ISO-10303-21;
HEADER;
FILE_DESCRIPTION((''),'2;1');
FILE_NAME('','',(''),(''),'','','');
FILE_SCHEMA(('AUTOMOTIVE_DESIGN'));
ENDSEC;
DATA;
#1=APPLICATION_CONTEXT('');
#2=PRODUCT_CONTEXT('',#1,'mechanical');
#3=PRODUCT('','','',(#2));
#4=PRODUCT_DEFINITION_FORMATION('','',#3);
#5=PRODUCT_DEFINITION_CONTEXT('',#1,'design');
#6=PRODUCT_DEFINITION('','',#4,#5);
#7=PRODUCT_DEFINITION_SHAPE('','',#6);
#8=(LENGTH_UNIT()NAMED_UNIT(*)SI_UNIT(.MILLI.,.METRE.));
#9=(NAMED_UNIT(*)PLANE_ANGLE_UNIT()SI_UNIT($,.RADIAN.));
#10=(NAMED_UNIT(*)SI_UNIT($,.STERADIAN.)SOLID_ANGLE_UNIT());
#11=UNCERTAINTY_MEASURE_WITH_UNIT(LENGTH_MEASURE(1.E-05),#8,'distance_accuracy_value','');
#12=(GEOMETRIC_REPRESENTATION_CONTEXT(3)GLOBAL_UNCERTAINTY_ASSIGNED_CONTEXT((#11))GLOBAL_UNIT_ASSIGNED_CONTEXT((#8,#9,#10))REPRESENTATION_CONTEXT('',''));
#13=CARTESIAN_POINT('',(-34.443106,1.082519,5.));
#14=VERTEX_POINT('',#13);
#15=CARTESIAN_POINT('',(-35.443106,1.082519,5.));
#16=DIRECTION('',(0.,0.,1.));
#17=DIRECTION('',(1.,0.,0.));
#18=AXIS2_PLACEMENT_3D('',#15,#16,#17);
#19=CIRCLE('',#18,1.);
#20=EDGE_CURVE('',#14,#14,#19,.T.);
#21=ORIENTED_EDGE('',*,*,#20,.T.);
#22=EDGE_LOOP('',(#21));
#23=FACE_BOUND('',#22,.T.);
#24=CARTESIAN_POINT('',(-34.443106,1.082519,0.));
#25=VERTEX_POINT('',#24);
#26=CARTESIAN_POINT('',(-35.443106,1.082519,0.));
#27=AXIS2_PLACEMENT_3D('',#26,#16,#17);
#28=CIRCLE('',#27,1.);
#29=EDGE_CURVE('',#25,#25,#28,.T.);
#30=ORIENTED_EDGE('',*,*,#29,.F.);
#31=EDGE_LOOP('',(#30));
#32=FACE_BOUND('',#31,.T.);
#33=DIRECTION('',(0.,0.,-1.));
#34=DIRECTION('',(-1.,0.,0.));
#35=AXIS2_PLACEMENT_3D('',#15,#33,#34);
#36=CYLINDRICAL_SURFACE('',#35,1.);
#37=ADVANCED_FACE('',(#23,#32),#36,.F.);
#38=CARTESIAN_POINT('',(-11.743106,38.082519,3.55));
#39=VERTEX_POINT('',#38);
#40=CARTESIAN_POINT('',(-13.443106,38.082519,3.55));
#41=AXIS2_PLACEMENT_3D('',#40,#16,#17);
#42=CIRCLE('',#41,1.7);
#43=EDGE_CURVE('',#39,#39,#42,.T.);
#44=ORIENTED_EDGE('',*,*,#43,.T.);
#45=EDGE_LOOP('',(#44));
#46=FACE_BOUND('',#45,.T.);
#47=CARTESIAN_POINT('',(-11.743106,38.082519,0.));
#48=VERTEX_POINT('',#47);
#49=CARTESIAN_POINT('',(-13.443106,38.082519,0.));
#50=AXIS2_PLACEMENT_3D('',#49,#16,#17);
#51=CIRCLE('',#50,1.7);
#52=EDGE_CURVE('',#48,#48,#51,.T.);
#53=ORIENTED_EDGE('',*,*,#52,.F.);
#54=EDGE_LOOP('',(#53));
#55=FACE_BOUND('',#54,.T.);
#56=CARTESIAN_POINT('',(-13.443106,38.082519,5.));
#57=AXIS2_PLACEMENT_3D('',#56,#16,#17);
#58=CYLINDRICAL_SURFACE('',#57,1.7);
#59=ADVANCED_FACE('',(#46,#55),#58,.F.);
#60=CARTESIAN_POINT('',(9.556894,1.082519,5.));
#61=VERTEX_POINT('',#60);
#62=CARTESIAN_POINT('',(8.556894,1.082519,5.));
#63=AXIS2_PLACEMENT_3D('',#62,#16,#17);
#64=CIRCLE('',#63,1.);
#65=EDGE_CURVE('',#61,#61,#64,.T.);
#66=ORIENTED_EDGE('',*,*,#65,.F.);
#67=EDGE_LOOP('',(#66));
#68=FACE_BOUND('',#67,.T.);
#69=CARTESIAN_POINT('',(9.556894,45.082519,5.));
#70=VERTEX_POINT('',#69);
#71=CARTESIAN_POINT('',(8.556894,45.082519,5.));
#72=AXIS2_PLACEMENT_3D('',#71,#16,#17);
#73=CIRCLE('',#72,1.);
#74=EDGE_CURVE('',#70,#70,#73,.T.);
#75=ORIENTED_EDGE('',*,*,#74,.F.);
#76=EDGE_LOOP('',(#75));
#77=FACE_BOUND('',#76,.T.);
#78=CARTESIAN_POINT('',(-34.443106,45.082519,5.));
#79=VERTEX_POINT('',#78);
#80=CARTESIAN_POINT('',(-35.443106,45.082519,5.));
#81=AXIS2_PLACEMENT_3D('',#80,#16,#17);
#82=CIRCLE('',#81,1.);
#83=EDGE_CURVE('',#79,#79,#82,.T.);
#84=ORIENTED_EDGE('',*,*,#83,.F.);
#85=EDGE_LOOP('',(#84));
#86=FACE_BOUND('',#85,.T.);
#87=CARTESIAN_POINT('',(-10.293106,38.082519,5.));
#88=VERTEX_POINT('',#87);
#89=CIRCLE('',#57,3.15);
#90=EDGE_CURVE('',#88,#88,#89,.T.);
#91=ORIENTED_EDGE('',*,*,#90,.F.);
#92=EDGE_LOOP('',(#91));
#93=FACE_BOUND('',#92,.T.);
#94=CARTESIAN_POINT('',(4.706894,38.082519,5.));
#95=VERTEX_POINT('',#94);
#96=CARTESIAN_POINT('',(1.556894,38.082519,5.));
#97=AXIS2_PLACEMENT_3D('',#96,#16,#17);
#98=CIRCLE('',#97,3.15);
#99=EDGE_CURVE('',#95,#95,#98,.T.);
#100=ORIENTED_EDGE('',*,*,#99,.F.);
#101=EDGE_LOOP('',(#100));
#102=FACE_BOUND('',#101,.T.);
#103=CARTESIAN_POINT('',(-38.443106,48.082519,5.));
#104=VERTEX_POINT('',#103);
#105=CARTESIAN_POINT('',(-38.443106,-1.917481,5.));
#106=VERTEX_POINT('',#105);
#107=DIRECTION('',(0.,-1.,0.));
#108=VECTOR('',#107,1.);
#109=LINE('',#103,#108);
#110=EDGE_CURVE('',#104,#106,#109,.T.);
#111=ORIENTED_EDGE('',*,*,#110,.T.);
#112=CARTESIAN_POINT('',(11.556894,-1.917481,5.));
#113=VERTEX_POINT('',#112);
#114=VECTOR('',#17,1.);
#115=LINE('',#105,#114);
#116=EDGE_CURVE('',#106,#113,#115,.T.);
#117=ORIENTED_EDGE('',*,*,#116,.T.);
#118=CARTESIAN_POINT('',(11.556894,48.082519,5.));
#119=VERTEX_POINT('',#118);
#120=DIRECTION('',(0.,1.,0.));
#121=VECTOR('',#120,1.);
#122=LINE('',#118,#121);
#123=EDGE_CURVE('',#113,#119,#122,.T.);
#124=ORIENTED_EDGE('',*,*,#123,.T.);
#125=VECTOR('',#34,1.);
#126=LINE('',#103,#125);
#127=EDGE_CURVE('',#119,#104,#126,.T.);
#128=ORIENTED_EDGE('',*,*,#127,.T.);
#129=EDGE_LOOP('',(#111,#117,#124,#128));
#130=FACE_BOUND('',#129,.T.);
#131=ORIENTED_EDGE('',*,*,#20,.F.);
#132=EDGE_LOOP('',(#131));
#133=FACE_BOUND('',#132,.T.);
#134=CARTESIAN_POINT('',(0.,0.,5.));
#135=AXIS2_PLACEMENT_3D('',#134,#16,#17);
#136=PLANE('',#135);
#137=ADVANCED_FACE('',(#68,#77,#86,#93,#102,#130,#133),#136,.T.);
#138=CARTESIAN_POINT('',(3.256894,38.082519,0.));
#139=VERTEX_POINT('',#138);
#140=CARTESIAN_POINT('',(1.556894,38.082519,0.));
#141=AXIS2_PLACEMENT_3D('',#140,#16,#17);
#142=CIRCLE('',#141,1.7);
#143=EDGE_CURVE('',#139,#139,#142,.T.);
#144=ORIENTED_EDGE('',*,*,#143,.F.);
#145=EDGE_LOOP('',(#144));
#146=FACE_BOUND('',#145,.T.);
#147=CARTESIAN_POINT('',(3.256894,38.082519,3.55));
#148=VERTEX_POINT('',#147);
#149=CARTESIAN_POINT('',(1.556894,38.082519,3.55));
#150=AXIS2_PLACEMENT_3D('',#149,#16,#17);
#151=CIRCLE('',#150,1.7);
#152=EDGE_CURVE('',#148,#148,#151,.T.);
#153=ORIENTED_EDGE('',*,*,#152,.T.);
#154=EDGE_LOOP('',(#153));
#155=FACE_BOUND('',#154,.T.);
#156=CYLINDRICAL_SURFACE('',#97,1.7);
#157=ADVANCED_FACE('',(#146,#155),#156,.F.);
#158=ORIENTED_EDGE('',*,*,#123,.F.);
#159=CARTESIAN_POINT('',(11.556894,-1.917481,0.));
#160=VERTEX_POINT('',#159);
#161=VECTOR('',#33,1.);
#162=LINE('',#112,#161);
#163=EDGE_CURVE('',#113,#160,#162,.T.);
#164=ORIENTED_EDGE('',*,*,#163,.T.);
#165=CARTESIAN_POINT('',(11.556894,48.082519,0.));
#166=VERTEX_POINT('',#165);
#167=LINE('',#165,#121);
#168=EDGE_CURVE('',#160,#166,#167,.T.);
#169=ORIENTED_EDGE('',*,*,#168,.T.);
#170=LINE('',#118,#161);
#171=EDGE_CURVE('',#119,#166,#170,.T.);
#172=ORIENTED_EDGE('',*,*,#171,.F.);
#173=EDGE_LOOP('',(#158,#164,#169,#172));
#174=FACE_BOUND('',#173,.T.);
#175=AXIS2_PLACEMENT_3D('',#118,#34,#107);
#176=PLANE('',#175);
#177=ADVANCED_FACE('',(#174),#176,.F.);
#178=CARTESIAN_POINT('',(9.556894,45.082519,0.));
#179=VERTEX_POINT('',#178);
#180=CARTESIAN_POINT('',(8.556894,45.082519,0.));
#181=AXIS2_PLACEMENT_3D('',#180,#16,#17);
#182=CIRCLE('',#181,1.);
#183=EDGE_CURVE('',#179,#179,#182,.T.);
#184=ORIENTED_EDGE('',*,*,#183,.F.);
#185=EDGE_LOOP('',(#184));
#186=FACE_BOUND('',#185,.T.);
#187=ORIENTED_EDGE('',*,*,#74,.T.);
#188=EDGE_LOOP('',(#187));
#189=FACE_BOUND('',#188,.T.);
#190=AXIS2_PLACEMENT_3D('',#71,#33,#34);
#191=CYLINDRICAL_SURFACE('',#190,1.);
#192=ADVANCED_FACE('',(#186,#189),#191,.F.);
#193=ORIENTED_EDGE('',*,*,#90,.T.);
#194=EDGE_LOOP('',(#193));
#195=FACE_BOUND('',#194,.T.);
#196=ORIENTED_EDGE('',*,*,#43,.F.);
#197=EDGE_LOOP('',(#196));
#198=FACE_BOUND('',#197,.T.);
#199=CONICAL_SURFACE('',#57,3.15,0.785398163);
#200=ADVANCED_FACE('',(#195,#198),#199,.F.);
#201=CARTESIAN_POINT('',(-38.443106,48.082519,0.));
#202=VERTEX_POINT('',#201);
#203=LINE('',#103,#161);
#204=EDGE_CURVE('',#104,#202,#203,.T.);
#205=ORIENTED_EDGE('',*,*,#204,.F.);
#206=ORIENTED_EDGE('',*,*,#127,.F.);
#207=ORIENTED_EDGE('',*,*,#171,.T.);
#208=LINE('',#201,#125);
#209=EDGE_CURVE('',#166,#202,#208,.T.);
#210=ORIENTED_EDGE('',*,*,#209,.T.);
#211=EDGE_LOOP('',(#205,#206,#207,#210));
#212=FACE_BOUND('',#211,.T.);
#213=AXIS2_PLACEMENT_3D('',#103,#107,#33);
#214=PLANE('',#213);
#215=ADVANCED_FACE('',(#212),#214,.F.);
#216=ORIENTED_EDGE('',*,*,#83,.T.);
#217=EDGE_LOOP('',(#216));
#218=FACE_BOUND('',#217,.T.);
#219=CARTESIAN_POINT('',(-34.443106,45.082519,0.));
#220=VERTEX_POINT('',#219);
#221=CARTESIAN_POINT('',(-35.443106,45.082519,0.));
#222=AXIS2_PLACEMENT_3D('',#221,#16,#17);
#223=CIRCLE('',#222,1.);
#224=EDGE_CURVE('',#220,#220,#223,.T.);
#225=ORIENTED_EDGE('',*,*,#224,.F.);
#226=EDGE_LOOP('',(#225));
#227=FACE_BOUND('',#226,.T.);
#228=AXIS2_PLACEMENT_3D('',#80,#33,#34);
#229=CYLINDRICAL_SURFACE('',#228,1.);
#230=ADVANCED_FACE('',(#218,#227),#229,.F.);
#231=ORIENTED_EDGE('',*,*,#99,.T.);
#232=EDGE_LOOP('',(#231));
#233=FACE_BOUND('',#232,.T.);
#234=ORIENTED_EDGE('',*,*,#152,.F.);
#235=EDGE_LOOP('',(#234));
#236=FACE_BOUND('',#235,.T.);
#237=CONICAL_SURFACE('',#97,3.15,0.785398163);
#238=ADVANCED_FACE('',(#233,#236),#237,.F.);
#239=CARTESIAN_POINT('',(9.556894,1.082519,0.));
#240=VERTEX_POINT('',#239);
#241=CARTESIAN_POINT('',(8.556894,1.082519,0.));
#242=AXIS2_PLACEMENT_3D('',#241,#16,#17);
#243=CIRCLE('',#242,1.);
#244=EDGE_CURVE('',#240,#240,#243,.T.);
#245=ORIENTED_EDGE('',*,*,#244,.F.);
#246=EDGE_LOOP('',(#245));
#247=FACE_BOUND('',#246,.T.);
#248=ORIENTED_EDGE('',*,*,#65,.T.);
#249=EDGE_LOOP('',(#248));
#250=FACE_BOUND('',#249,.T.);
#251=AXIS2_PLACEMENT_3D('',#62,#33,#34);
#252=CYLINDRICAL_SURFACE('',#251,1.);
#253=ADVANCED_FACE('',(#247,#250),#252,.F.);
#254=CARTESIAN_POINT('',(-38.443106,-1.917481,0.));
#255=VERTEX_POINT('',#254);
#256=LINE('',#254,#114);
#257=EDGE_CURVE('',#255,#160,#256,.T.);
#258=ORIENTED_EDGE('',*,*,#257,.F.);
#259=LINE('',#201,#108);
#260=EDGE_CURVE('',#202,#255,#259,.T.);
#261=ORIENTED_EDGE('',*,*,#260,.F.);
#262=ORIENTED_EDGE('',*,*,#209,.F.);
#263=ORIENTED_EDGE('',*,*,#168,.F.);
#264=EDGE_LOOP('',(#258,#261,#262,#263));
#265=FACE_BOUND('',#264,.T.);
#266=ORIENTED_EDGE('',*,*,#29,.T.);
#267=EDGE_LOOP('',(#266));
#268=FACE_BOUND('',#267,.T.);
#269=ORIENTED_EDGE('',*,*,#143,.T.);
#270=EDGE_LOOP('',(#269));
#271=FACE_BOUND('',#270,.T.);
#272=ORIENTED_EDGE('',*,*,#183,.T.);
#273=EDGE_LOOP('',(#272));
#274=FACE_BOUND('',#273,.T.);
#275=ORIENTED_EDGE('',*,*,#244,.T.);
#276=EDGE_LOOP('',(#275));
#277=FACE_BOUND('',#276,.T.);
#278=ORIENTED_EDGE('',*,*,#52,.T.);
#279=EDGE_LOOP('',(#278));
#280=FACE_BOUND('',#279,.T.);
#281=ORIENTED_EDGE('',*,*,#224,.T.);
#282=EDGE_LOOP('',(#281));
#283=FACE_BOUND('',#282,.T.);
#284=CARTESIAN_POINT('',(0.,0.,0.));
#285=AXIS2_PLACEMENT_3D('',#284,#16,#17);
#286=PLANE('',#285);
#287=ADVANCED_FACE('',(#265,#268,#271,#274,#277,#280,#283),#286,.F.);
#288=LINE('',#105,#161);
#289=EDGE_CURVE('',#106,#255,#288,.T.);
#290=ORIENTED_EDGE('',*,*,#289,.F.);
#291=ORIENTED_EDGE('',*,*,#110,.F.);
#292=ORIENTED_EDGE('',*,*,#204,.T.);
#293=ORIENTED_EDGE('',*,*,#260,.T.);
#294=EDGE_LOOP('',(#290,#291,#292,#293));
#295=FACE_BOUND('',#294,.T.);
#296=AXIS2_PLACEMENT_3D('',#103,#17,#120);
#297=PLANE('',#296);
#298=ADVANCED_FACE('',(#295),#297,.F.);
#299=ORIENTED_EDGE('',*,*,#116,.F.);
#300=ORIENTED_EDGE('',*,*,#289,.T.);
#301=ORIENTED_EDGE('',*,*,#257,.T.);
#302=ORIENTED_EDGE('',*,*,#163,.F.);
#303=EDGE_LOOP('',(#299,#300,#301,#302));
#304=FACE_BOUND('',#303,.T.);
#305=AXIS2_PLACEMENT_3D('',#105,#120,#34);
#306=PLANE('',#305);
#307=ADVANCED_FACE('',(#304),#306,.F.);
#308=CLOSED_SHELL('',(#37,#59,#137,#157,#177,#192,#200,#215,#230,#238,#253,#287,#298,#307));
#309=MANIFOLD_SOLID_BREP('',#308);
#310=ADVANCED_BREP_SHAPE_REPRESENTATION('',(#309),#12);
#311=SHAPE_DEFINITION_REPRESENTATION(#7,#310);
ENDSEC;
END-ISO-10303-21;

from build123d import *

# Parameters (mm, degrees)
ESQUISSE1_W                                       = 50
ESQUISSE1_H                                       = 50
ESQUISSE1_R                                       = 1
BOSS_EXTRU_1_DEPTH                                = 5
FRAISAGE_POUR_VIS_T_TE_FRAIS_E_M31_D              = 3.4
FRAISAGE_POUR_VIS_T_TE_FRAIS_E_M31_CSINK_D        = 6.3
FRAISAGE_POUR_VIS_T_TE_FRAIS_E_M31_CSINK_ANGLE    = 90
FRAISAGE_POUR_VIS_T_TE_FRAIS_E_M31_ON_D           = 3.4
FRAISAGE_POUR_VIS_T_TE_FRAIS_E_M31_ON_CSINK_D     = 6.3
FRAISAGE_POUR_VIS_T_TE_FRAIS_E_M31_ON_CSINK_ANGLE = 90


with BuildPart() as part:
    # Esquisse1 → Boss.-Extru.1 (new body)
    with BuildSketch(Plane.XY):
        with Locations((-13.443105546, 23.082518784)):
            Rectangle(ESQUISSE1_W, ESQUISSE1_H)
        with Locations((-35.443105546, 45.082518784)):
            Circle(ESQUISSE1_R, mode=Mode.SUBTRACT)
        with Locations((8.556894454, 45.082518784)):
            Circle(ESQUISSE1_R, mode=Mode.SUBTRACT)
        with Locations((8.556894454, 1.082518784)):
            Circle(ESQUISSE1_R, mode=Mode.SUBTRACT)
        with Locations((-35.443105546, 1.082518784)):
            Circle(ESQUISSE1_R, mode=Mode.SUBTRACT)
    extrude(amount=BOSS_EXTRU_1_DEPTH)

    # Fraisage pour vis à tête fraisée M31 (through all)
    with Locations(Plane(origin=(-13.443105546, 38.082518784, 5), x_dir=(1, 0, 0), z_dir=(0, 0, 1))):
        with Locations((0, 0), (15, 0)):
            CounterSinkHole(FRAISAGE_POUR_VIS_T_TE_FRAIS_E_M31_D / 2, FRAISAGE_POUR_VIS_T_TE_FRAIS_E_M31_CSINK_D / 2, counter_sink_angle=FRAISAGE_POUR_VIS_T_TE_FRAIS_E_M31_CSINK_ANGLE)

    # Fraisage pour vis à tête fraisée M31 on (through all)
    with Locations(Plane(origin=(-69.932791176, 61.393115675, 0), x_dir=(1, 0, 0), z_dir=(0, 0, 1))):
        with Locations((0, 0)):
            CounterSinkHole(FRAISAGE_POUR_VIS_T_TE_FRAIS_E_M31_ON_D / 2, FRAISAGE_POUR_VIS_T_TE_FRAIS_E_M31_ON_CSINK_D / 2, counter_sink_angle=FRAISAGE_POUR_VIS_T_TE_FRAIS_E_M31_ON_CSINK_ANGLE)


solid = part.part
